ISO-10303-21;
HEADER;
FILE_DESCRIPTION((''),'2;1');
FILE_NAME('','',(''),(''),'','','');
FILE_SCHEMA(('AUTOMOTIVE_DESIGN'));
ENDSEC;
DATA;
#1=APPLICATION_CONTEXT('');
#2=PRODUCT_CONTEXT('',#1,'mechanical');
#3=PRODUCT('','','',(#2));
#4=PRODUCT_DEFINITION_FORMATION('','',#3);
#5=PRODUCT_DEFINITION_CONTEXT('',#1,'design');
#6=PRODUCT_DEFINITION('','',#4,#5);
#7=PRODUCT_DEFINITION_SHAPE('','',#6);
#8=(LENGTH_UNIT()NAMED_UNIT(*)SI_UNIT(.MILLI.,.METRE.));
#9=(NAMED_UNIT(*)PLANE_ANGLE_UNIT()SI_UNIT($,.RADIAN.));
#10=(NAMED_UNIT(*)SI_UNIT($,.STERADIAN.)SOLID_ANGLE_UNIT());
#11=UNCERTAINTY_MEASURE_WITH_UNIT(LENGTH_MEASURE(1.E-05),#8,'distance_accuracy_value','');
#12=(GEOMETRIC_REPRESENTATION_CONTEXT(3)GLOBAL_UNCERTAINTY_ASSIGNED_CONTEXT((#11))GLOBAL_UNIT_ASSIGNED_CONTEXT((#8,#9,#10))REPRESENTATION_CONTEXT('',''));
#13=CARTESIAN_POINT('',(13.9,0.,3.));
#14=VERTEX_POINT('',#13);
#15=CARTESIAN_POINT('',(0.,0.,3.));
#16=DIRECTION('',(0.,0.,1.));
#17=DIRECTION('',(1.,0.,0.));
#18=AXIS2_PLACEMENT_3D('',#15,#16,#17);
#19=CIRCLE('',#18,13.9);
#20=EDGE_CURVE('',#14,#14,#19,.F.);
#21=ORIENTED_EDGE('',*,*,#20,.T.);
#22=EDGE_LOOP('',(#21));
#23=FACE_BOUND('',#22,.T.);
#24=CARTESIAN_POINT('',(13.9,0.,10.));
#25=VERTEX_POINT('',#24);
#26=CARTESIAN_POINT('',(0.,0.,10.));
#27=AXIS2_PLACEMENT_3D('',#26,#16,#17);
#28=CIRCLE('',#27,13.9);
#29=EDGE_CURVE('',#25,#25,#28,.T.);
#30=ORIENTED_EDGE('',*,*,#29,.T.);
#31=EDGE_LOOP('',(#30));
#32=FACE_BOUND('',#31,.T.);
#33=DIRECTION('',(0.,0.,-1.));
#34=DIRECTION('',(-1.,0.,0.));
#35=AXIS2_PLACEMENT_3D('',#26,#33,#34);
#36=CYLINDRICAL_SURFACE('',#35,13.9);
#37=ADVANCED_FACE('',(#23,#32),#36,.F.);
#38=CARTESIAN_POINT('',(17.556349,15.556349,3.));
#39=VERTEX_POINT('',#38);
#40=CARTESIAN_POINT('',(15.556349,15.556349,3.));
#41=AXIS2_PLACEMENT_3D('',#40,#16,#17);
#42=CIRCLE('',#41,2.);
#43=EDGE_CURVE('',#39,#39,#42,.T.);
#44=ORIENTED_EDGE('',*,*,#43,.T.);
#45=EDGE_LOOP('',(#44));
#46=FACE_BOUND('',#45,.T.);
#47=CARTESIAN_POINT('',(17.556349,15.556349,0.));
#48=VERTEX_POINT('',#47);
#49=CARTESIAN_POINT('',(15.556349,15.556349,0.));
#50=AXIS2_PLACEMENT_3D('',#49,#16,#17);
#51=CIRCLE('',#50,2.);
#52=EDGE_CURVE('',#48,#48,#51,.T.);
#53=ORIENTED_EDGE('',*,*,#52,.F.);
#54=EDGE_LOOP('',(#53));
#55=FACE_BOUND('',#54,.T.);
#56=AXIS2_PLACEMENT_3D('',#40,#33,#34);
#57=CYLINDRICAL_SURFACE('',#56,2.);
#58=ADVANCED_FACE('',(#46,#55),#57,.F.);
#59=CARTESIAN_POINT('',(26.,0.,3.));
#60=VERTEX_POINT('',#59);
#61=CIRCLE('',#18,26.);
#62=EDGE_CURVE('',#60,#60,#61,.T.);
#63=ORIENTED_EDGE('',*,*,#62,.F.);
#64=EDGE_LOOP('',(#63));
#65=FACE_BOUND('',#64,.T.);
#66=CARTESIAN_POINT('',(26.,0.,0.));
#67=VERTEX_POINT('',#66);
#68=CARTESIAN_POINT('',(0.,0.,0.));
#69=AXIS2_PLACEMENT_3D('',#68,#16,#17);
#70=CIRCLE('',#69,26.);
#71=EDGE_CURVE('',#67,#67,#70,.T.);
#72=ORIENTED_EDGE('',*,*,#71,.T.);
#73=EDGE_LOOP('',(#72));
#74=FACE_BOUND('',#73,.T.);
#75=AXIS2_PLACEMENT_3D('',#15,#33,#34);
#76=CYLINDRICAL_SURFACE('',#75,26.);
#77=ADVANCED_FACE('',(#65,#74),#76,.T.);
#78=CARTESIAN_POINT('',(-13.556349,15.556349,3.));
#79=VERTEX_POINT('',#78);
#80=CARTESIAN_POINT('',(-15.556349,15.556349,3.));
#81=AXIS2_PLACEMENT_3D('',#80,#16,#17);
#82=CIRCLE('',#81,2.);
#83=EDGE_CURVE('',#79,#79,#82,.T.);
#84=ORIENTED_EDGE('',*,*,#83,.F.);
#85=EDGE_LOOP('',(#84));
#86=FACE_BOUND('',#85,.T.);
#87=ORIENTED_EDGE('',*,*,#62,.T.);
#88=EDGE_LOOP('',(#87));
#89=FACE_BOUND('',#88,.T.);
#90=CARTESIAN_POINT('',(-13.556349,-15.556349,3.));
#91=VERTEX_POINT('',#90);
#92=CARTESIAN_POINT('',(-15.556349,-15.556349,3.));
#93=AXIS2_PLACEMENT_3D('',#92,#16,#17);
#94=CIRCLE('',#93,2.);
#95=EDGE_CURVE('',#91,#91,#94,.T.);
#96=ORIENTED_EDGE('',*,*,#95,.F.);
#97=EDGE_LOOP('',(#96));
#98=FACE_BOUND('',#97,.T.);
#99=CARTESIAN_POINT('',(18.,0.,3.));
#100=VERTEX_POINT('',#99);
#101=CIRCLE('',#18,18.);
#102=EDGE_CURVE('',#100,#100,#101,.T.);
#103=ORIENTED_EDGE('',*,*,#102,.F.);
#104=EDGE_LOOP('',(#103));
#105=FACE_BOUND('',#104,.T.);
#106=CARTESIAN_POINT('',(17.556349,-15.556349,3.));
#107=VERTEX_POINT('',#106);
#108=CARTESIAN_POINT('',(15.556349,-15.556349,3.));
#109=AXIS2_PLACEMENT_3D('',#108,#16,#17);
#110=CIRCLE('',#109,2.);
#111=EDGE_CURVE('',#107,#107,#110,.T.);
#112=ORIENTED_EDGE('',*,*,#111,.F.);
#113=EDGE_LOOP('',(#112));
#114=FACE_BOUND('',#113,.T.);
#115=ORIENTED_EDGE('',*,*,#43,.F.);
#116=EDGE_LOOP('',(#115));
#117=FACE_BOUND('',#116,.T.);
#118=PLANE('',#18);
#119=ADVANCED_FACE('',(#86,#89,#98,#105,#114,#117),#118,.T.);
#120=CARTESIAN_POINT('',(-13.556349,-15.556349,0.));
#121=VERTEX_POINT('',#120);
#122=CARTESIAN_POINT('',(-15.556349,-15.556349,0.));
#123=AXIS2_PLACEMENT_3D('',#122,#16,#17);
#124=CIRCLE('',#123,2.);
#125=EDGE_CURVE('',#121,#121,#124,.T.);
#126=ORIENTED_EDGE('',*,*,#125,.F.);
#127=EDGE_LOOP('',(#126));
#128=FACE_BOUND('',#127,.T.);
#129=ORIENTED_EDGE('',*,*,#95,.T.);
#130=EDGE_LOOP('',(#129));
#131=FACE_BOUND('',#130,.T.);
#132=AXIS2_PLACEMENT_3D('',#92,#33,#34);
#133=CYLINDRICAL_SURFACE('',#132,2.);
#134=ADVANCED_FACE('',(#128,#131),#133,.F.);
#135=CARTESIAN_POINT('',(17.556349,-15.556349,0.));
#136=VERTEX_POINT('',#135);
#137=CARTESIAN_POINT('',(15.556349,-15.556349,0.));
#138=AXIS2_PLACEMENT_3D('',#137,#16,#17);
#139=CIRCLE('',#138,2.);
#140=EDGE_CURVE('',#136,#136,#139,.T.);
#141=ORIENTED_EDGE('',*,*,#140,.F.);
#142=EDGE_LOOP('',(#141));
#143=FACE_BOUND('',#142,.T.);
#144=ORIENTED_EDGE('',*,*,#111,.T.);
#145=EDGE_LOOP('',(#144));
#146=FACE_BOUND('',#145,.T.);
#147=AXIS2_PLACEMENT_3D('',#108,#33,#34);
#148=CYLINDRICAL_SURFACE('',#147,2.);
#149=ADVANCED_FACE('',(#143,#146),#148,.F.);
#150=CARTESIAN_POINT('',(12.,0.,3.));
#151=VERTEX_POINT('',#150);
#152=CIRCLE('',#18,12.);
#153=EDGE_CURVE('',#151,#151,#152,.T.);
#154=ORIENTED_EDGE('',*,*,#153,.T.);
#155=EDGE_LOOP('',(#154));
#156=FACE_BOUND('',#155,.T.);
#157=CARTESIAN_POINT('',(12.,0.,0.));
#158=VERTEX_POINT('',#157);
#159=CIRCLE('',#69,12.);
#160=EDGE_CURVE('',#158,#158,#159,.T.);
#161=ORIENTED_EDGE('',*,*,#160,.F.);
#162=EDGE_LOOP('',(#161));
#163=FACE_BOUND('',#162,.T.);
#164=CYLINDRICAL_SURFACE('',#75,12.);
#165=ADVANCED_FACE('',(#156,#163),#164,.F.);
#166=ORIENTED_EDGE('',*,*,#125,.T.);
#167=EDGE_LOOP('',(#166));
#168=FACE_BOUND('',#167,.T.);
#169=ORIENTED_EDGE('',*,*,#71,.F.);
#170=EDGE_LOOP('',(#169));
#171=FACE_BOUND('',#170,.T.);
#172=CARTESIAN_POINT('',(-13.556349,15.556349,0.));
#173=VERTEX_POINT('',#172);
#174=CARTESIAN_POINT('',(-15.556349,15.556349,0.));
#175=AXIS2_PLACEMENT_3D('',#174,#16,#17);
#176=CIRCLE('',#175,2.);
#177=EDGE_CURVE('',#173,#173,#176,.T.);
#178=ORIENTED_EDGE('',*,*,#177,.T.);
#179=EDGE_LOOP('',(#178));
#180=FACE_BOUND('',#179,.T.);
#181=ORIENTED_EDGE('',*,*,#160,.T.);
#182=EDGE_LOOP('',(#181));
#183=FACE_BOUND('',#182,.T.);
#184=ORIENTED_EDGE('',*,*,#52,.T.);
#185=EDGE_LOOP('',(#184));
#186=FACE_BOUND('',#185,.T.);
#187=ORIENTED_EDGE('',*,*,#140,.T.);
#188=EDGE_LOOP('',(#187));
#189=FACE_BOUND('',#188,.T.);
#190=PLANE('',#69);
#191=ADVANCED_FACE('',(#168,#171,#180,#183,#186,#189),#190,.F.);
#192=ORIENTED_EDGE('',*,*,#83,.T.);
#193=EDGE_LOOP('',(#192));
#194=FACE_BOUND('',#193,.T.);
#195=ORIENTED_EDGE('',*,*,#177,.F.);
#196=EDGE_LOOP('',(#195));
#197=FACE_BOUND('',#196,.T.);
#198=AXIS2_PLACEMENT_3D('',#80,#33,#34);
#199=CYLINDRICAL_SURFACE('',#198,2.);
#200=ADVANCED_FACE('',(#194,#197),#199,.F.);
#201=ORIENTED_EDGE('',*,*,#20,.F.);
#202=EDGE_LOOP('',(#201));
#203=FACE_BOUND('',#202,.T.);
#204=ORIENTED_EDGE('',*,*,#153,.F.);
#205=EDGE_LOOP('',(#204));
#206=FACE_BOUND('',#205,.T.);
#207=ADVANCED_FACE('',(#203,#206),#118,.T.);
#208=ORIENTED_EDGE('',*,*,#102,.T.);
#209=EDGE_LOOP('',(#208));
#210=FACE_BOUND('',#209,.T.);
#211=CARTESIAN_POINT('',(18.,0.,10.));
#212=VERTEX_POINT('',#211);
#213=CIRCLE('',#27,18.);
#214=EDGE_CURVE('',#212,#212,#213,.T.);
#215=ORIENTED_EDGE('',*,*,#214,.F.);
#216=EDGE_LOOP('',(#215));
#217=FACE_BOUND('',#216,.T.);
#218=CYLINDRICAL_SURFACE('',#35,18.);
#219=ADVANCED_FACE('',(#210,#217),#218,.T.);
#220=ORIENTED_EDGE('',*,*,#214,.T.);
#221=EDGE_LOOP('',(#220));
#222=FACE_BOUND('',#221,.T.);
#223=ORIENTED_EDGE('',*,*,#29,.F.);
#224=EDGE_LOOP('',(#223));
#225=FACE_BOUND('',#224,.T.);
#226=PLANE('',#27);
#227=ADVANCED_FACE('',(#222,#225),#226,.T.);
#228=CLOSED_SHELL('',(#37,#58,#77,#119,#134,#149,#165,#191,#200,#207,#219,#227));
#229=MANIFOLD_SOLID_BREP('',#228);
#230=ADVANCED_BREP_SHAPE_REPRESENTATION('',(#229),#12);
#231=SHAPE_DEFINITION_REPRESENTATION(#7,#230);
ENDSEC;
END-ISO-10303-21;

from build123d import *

# Parameters (mm, degrees)
SKETCH_1_R      = 26
SKETCH_1_R_2    = 12
SKETCH_1_R_3    = 2
EXTRUDE_1_DEPTH = 3
SKETCH_2_R      = 18
SKETCH_2_R_2    = 13.9
EXTRUDE_2_DEPTH = 7


with BuildPart() as part:
    # 草图1 → 凸台-拉伸1 (new body)
    with BuildSketch(Plane.XY):
        Circle(SKETCH_1_R)
        Circle(SKETCH_1_R_2, mode=Mode.SUBTRACT)
        with Locations((-15.556349186, 15.556349186)):
            Circle(SKETCH_1_R_3, mode=Mode.SUBTRACT)
        with Locations((15.556349186, 15.556349186)):
            Circle(SKETCH_1_R_3, mode=Mode.SUBTRACT)
        with Locations((15.556349186, -15.556349186)):
            Circle(SKETCH_1_R_3, mode=Mode.SUBTRACT)
        with Locations((-15.556349186, -15.556349186)):
            Circle(SKETCH_1_R_3, mode=Mode.SUBTRACT)
    extrude(amount=EXTRUDE_1_DEPTH)

    # 草图2 → 凸台-拉伸2 (add)
    with BuildSketch(Plane.XY.offset(3)):
        Circle(SKETCH_2_R)
        Circle(SKETCH_2_R_2, mode=Mode.SUBTRACT)
    extrude(amount=EXTRUDE_2_DEPTH)


solid = part.part
